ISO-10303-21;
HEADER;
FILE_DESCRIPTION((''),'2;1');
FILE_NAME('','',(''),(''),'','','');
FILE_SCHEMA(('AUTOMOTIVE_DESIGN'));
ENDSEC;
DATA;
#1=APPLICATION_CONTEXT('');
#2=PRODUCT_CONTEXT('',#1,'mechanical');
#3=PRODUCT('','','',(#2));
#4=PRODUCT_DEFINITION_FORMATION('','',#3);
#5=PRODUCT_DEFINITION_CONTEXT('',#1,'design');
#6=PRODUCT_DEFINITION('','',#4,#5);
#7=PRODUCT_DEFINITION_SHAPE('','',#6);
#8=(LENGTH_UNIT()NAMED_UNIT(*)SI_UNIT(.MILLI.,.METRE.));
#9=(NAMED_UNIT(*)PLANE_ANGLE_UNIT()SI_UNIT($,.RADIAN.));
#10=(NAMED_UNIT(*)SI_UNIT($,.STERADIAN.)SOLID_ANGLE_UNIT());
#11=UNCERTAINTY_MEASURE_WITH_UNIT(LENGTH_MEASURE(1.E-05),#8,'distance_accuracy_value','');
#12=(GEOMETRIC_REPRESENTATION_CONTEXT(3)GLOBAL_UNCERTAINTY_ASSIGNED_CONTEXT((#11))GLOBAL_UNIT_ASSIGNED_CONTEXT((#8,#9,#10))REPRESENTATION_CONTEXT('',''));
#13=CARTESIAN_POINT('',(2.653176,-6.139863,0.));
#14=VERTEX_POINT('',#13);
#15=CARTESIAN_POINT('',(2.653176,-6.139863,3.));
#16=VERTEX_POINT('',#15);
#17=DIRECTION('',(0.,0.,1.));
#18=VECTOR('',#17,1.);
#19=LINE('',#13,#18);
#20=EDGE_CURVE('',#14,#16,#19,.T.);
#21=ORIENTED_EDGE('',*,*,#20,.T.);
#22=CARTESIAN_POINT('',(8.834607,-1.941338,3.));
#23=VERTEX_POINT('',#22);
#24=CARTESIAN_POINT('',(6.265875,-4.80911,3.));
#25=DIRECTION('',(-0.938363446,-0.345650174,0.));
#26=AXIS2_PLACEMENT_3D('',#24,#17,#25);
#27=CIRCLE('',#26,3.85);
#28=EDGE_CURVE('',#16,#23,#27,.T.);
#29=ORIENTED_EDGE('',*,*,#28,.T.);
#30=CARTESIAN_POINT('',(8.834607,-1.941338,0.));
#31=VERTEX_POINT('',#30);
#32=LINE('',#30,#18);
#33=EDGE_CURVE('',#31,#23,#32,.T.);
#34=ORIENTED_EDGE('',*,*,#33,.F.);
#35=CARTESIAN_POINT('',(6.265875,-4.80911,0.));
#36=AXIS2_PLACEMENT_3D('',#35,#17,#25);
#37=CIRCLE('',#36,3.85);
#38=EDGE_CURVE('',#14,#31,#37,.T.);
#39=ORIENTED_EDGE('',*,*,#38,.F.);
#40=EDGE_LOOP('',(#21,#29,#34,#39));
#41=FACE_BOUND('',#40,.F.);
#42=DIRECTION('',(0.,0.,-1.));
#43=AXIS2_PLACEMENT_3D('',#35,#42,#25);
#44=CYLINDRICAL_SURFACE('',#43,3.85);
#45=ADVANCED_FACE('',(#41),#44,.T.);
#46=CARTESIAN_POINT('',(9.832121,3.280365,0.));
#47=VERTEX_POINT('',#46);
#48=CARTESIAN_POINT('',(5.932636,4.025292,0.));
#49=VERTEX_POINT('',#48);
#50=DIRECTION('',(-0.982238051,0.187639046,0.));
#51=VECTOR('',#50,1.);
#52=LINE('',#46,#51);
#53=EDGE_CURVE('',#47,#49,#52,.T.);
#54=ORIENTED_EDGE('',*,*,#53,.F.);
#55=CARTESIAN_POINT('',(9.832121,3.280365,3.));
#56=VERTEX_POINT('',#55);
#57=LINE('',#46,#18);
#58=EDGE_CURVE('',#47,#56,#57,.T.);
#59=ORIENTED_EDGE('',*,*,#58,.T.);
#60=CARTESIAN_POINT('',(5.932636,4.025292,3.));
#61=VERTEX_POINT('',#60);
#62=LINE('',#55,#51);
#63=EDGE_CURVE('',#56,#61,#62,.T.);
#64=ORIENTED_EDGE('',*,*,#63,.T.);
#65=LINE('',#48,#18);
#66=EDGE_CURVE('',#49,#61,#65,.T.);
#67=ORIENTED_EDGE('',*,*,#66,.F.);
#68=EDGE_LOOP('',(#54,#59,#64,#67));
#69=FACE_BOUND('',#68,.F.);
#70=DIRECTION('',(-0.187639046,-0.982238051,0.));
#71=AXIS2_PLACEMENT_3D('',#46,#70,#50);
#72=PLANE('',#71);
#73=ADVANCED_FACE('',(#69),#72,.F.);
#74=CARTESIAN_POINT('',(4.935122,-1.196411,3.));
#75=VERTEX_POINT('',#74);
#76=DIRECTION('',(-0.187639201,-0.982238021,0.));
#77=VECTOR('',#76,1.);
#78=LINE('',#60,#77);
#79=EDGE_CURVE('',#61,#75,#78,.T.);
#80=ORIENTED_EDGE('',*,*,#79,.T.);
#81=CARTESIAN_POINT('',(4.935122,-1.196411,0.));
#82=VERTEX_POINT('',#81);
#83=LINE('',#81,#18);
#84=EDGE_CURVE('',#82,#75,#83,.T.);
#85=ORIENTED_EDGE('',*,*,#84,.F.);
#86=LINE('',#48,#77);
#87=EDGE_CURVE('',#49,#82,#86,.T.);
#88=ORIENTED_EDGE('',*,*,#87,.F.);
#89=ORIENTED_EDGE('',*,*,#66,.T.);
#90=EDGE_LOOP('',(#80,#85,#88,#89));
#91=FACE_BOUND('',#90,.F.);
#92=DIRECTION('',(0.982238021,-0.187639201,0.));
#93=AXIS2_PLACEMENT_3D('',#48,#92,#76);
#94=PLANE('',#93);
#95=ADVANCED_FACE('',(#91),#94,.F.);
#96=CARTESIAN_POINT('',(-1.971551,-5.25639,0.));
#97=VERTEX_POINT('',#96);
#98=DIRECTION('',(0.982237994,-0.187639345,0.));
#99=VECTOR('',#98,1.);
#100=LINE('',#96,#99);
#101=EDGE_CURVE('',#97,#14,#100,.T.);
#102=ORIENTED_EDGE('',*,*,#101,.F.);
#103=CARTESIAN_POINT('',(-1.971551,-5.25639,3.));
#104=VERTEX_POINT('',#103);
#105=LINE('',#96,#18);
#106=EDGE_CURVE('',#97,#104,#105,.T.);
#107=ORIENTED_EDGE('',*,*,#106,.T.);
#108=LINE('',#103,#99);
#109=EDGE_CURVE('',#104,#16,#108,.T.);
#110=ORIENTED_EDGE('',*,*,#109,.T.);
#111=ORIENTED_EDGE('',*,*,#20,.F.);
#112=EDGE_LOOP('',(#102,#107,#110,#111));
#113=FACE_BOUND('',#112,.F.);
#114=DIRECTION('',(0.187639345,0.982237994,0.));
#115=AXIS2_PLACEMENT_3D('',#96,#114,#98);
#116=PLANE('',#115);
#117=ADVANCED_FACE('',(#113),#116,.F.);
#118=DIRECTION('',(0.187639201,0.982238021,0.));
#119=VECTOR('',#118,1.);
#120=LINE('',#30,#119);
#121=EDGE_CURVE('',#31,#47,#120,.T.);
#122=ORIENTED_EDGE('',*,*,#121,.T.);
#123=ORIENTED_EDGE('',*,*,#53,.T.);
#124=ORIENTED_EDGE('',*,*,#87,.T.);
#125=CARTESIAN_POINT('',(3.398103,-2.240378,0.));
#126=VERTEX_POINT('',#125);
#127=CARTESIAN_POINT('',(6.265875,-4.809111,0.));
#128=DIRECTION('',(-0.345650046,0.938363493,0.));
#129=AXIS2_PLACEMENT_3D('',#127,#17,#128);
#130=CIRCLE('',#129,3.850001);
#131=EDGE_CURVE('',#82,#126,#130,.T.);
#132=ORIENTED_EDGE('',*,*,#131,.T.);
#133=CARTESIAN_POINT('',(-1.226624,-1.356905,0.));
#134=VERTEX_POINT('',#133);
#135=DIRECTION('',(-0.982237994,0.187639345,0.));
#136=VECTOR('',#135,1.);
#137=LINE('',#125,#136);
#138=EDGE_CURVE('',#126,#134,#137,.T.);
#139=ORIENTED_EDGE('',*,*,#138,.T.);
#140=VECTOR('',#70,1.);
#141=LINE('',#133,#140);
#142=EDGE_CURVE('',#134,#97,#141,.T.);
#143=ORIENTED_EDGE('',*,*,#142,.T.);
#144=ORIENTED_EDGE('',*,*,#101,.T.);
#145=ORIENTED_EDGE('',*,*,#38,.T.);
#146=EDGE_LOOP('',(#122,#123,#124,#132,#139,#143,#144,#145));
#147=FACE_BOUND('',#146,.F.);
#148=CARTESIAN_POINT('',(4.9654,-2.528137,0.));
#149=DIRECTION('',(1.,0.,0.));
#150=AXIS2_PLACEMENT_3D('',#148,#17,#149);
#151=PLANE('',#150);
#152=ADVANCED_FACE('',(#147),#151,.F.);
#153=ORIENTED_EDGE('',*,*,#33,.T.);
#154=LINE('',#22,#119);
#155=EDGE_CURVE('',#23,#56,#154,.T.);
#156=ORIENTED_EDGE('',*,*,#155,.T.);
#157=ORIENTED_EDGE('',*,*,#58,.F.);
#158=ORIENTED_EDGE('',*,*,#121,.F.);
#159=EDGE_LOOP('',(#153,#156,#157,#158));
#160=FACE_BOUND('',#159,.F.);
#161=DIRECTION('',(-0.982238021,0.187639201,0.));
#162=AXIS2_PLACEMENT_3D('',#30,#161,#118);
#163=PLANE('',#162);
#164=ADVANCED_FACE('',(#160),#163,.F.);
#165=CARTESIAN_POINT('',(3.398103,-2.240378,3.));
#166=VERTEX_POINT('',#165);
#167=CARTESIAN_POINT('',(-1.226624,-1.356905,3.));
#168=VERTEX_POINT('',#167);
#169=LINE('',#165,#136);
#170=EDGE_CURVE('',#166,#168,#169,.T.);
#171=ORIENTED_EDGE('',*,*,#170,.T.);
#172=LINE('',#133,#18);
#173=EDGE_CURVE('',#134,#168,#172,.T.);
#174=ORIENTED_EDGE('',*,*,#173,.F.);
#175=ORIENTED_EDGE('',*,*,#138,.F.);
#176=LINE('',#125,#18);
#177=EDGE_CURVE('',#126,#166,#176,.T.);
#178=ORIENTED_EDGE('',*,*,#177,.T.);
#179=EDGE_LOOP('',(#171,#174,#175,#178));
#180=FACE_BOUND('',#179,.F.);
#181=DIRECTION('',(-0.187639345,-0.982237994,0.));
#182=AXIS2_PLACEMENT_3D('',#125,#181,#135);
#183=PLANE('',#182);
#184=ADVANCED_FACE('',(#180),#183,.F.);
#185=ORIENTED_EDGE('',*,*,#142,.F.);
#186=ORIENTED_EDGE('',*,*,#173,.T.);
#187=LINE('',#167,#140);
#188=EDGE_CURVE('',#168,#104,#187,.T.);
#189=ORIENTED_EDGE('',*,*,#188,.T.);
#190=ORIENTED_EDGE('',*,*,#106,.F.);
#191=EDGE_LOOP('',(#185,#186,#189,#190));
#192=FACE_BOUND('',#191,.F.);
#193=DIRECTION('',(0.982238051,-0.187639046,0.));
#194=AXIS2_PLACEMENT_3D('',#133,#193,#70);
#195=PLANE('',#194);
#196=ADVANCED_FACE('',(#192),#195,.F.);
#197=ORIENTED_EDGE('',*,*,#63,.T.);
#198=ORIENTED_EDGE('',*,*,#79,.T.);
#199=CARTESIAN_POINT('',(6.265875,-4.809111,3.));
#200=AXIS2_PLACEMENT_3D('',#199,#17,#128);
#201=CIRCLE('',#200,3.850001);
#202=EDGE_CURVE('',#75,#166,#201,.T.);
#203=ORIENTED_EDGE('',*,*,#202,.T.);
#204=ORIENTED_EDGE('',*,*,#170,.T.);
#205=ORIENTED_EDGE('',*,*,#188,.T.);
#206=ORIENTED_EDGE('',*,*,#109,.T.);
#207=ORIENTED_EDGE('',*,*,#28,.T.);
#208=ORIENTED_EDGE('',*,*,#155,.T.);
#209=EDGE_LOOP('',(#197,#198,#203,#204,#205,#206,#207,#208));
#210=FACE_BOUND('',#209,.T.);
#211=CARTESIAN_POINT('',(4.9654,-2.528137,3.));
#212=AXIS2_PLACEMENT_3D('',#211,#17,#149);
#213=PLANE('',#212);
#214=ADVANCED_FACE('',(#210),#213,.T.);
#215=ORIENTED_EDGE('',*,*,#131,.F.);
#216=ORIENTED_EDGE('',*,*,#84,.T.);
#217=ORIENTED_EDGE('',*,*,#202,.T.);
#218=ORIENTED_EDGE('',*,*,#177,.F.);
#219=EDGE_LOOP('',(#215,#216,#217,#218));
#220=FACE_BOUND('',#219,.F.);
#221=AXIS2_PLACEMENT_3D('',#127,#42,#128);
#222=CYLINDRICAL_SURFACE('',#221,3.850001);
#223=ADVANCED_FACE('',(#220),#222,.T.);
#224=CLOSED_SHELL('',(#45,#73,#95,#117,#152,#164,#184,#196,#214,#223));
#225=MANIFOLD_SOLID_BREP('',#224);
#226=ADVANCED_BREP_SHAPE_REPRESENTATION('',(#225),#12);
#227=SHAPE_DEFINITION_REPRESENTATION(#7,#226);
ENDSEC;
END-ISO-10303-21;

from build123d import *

# Parameters (mm, degrees)
F1_DEPTH = 3


with BuildPart() as f1:
    # F0 (on Top) → F1 (new body)
    with BuildSketch(Plane.XY):
        with BuildLine():
            Line((-1.971551, -5.25639), (2.653176, -6.139863))
            ThreePointArc((2.653176, -6.139863), (8.42906, -7.993938), (8.834607, -1.941338))
            Line((8.834607, -1.941338), (9.832121, 3.280365))
            Line((9.832121, 3.280365), (5.932636, 4.025292))
            Line((5.932636, 4.025292), (4.935122, -1.196411))
            ThreePointArc((4.935122, -1.196411), (4.10269, -1.624282), (3.398103, -2.240378))
            Line((3.398103, -2.240378), (-1.226624, -1.356905))
            Line((-1.226624, -1.356905), (-1.971551, -5.25639))
        make_face()
    extrude(amount=F1_DEPTH)


solid = f1.part
